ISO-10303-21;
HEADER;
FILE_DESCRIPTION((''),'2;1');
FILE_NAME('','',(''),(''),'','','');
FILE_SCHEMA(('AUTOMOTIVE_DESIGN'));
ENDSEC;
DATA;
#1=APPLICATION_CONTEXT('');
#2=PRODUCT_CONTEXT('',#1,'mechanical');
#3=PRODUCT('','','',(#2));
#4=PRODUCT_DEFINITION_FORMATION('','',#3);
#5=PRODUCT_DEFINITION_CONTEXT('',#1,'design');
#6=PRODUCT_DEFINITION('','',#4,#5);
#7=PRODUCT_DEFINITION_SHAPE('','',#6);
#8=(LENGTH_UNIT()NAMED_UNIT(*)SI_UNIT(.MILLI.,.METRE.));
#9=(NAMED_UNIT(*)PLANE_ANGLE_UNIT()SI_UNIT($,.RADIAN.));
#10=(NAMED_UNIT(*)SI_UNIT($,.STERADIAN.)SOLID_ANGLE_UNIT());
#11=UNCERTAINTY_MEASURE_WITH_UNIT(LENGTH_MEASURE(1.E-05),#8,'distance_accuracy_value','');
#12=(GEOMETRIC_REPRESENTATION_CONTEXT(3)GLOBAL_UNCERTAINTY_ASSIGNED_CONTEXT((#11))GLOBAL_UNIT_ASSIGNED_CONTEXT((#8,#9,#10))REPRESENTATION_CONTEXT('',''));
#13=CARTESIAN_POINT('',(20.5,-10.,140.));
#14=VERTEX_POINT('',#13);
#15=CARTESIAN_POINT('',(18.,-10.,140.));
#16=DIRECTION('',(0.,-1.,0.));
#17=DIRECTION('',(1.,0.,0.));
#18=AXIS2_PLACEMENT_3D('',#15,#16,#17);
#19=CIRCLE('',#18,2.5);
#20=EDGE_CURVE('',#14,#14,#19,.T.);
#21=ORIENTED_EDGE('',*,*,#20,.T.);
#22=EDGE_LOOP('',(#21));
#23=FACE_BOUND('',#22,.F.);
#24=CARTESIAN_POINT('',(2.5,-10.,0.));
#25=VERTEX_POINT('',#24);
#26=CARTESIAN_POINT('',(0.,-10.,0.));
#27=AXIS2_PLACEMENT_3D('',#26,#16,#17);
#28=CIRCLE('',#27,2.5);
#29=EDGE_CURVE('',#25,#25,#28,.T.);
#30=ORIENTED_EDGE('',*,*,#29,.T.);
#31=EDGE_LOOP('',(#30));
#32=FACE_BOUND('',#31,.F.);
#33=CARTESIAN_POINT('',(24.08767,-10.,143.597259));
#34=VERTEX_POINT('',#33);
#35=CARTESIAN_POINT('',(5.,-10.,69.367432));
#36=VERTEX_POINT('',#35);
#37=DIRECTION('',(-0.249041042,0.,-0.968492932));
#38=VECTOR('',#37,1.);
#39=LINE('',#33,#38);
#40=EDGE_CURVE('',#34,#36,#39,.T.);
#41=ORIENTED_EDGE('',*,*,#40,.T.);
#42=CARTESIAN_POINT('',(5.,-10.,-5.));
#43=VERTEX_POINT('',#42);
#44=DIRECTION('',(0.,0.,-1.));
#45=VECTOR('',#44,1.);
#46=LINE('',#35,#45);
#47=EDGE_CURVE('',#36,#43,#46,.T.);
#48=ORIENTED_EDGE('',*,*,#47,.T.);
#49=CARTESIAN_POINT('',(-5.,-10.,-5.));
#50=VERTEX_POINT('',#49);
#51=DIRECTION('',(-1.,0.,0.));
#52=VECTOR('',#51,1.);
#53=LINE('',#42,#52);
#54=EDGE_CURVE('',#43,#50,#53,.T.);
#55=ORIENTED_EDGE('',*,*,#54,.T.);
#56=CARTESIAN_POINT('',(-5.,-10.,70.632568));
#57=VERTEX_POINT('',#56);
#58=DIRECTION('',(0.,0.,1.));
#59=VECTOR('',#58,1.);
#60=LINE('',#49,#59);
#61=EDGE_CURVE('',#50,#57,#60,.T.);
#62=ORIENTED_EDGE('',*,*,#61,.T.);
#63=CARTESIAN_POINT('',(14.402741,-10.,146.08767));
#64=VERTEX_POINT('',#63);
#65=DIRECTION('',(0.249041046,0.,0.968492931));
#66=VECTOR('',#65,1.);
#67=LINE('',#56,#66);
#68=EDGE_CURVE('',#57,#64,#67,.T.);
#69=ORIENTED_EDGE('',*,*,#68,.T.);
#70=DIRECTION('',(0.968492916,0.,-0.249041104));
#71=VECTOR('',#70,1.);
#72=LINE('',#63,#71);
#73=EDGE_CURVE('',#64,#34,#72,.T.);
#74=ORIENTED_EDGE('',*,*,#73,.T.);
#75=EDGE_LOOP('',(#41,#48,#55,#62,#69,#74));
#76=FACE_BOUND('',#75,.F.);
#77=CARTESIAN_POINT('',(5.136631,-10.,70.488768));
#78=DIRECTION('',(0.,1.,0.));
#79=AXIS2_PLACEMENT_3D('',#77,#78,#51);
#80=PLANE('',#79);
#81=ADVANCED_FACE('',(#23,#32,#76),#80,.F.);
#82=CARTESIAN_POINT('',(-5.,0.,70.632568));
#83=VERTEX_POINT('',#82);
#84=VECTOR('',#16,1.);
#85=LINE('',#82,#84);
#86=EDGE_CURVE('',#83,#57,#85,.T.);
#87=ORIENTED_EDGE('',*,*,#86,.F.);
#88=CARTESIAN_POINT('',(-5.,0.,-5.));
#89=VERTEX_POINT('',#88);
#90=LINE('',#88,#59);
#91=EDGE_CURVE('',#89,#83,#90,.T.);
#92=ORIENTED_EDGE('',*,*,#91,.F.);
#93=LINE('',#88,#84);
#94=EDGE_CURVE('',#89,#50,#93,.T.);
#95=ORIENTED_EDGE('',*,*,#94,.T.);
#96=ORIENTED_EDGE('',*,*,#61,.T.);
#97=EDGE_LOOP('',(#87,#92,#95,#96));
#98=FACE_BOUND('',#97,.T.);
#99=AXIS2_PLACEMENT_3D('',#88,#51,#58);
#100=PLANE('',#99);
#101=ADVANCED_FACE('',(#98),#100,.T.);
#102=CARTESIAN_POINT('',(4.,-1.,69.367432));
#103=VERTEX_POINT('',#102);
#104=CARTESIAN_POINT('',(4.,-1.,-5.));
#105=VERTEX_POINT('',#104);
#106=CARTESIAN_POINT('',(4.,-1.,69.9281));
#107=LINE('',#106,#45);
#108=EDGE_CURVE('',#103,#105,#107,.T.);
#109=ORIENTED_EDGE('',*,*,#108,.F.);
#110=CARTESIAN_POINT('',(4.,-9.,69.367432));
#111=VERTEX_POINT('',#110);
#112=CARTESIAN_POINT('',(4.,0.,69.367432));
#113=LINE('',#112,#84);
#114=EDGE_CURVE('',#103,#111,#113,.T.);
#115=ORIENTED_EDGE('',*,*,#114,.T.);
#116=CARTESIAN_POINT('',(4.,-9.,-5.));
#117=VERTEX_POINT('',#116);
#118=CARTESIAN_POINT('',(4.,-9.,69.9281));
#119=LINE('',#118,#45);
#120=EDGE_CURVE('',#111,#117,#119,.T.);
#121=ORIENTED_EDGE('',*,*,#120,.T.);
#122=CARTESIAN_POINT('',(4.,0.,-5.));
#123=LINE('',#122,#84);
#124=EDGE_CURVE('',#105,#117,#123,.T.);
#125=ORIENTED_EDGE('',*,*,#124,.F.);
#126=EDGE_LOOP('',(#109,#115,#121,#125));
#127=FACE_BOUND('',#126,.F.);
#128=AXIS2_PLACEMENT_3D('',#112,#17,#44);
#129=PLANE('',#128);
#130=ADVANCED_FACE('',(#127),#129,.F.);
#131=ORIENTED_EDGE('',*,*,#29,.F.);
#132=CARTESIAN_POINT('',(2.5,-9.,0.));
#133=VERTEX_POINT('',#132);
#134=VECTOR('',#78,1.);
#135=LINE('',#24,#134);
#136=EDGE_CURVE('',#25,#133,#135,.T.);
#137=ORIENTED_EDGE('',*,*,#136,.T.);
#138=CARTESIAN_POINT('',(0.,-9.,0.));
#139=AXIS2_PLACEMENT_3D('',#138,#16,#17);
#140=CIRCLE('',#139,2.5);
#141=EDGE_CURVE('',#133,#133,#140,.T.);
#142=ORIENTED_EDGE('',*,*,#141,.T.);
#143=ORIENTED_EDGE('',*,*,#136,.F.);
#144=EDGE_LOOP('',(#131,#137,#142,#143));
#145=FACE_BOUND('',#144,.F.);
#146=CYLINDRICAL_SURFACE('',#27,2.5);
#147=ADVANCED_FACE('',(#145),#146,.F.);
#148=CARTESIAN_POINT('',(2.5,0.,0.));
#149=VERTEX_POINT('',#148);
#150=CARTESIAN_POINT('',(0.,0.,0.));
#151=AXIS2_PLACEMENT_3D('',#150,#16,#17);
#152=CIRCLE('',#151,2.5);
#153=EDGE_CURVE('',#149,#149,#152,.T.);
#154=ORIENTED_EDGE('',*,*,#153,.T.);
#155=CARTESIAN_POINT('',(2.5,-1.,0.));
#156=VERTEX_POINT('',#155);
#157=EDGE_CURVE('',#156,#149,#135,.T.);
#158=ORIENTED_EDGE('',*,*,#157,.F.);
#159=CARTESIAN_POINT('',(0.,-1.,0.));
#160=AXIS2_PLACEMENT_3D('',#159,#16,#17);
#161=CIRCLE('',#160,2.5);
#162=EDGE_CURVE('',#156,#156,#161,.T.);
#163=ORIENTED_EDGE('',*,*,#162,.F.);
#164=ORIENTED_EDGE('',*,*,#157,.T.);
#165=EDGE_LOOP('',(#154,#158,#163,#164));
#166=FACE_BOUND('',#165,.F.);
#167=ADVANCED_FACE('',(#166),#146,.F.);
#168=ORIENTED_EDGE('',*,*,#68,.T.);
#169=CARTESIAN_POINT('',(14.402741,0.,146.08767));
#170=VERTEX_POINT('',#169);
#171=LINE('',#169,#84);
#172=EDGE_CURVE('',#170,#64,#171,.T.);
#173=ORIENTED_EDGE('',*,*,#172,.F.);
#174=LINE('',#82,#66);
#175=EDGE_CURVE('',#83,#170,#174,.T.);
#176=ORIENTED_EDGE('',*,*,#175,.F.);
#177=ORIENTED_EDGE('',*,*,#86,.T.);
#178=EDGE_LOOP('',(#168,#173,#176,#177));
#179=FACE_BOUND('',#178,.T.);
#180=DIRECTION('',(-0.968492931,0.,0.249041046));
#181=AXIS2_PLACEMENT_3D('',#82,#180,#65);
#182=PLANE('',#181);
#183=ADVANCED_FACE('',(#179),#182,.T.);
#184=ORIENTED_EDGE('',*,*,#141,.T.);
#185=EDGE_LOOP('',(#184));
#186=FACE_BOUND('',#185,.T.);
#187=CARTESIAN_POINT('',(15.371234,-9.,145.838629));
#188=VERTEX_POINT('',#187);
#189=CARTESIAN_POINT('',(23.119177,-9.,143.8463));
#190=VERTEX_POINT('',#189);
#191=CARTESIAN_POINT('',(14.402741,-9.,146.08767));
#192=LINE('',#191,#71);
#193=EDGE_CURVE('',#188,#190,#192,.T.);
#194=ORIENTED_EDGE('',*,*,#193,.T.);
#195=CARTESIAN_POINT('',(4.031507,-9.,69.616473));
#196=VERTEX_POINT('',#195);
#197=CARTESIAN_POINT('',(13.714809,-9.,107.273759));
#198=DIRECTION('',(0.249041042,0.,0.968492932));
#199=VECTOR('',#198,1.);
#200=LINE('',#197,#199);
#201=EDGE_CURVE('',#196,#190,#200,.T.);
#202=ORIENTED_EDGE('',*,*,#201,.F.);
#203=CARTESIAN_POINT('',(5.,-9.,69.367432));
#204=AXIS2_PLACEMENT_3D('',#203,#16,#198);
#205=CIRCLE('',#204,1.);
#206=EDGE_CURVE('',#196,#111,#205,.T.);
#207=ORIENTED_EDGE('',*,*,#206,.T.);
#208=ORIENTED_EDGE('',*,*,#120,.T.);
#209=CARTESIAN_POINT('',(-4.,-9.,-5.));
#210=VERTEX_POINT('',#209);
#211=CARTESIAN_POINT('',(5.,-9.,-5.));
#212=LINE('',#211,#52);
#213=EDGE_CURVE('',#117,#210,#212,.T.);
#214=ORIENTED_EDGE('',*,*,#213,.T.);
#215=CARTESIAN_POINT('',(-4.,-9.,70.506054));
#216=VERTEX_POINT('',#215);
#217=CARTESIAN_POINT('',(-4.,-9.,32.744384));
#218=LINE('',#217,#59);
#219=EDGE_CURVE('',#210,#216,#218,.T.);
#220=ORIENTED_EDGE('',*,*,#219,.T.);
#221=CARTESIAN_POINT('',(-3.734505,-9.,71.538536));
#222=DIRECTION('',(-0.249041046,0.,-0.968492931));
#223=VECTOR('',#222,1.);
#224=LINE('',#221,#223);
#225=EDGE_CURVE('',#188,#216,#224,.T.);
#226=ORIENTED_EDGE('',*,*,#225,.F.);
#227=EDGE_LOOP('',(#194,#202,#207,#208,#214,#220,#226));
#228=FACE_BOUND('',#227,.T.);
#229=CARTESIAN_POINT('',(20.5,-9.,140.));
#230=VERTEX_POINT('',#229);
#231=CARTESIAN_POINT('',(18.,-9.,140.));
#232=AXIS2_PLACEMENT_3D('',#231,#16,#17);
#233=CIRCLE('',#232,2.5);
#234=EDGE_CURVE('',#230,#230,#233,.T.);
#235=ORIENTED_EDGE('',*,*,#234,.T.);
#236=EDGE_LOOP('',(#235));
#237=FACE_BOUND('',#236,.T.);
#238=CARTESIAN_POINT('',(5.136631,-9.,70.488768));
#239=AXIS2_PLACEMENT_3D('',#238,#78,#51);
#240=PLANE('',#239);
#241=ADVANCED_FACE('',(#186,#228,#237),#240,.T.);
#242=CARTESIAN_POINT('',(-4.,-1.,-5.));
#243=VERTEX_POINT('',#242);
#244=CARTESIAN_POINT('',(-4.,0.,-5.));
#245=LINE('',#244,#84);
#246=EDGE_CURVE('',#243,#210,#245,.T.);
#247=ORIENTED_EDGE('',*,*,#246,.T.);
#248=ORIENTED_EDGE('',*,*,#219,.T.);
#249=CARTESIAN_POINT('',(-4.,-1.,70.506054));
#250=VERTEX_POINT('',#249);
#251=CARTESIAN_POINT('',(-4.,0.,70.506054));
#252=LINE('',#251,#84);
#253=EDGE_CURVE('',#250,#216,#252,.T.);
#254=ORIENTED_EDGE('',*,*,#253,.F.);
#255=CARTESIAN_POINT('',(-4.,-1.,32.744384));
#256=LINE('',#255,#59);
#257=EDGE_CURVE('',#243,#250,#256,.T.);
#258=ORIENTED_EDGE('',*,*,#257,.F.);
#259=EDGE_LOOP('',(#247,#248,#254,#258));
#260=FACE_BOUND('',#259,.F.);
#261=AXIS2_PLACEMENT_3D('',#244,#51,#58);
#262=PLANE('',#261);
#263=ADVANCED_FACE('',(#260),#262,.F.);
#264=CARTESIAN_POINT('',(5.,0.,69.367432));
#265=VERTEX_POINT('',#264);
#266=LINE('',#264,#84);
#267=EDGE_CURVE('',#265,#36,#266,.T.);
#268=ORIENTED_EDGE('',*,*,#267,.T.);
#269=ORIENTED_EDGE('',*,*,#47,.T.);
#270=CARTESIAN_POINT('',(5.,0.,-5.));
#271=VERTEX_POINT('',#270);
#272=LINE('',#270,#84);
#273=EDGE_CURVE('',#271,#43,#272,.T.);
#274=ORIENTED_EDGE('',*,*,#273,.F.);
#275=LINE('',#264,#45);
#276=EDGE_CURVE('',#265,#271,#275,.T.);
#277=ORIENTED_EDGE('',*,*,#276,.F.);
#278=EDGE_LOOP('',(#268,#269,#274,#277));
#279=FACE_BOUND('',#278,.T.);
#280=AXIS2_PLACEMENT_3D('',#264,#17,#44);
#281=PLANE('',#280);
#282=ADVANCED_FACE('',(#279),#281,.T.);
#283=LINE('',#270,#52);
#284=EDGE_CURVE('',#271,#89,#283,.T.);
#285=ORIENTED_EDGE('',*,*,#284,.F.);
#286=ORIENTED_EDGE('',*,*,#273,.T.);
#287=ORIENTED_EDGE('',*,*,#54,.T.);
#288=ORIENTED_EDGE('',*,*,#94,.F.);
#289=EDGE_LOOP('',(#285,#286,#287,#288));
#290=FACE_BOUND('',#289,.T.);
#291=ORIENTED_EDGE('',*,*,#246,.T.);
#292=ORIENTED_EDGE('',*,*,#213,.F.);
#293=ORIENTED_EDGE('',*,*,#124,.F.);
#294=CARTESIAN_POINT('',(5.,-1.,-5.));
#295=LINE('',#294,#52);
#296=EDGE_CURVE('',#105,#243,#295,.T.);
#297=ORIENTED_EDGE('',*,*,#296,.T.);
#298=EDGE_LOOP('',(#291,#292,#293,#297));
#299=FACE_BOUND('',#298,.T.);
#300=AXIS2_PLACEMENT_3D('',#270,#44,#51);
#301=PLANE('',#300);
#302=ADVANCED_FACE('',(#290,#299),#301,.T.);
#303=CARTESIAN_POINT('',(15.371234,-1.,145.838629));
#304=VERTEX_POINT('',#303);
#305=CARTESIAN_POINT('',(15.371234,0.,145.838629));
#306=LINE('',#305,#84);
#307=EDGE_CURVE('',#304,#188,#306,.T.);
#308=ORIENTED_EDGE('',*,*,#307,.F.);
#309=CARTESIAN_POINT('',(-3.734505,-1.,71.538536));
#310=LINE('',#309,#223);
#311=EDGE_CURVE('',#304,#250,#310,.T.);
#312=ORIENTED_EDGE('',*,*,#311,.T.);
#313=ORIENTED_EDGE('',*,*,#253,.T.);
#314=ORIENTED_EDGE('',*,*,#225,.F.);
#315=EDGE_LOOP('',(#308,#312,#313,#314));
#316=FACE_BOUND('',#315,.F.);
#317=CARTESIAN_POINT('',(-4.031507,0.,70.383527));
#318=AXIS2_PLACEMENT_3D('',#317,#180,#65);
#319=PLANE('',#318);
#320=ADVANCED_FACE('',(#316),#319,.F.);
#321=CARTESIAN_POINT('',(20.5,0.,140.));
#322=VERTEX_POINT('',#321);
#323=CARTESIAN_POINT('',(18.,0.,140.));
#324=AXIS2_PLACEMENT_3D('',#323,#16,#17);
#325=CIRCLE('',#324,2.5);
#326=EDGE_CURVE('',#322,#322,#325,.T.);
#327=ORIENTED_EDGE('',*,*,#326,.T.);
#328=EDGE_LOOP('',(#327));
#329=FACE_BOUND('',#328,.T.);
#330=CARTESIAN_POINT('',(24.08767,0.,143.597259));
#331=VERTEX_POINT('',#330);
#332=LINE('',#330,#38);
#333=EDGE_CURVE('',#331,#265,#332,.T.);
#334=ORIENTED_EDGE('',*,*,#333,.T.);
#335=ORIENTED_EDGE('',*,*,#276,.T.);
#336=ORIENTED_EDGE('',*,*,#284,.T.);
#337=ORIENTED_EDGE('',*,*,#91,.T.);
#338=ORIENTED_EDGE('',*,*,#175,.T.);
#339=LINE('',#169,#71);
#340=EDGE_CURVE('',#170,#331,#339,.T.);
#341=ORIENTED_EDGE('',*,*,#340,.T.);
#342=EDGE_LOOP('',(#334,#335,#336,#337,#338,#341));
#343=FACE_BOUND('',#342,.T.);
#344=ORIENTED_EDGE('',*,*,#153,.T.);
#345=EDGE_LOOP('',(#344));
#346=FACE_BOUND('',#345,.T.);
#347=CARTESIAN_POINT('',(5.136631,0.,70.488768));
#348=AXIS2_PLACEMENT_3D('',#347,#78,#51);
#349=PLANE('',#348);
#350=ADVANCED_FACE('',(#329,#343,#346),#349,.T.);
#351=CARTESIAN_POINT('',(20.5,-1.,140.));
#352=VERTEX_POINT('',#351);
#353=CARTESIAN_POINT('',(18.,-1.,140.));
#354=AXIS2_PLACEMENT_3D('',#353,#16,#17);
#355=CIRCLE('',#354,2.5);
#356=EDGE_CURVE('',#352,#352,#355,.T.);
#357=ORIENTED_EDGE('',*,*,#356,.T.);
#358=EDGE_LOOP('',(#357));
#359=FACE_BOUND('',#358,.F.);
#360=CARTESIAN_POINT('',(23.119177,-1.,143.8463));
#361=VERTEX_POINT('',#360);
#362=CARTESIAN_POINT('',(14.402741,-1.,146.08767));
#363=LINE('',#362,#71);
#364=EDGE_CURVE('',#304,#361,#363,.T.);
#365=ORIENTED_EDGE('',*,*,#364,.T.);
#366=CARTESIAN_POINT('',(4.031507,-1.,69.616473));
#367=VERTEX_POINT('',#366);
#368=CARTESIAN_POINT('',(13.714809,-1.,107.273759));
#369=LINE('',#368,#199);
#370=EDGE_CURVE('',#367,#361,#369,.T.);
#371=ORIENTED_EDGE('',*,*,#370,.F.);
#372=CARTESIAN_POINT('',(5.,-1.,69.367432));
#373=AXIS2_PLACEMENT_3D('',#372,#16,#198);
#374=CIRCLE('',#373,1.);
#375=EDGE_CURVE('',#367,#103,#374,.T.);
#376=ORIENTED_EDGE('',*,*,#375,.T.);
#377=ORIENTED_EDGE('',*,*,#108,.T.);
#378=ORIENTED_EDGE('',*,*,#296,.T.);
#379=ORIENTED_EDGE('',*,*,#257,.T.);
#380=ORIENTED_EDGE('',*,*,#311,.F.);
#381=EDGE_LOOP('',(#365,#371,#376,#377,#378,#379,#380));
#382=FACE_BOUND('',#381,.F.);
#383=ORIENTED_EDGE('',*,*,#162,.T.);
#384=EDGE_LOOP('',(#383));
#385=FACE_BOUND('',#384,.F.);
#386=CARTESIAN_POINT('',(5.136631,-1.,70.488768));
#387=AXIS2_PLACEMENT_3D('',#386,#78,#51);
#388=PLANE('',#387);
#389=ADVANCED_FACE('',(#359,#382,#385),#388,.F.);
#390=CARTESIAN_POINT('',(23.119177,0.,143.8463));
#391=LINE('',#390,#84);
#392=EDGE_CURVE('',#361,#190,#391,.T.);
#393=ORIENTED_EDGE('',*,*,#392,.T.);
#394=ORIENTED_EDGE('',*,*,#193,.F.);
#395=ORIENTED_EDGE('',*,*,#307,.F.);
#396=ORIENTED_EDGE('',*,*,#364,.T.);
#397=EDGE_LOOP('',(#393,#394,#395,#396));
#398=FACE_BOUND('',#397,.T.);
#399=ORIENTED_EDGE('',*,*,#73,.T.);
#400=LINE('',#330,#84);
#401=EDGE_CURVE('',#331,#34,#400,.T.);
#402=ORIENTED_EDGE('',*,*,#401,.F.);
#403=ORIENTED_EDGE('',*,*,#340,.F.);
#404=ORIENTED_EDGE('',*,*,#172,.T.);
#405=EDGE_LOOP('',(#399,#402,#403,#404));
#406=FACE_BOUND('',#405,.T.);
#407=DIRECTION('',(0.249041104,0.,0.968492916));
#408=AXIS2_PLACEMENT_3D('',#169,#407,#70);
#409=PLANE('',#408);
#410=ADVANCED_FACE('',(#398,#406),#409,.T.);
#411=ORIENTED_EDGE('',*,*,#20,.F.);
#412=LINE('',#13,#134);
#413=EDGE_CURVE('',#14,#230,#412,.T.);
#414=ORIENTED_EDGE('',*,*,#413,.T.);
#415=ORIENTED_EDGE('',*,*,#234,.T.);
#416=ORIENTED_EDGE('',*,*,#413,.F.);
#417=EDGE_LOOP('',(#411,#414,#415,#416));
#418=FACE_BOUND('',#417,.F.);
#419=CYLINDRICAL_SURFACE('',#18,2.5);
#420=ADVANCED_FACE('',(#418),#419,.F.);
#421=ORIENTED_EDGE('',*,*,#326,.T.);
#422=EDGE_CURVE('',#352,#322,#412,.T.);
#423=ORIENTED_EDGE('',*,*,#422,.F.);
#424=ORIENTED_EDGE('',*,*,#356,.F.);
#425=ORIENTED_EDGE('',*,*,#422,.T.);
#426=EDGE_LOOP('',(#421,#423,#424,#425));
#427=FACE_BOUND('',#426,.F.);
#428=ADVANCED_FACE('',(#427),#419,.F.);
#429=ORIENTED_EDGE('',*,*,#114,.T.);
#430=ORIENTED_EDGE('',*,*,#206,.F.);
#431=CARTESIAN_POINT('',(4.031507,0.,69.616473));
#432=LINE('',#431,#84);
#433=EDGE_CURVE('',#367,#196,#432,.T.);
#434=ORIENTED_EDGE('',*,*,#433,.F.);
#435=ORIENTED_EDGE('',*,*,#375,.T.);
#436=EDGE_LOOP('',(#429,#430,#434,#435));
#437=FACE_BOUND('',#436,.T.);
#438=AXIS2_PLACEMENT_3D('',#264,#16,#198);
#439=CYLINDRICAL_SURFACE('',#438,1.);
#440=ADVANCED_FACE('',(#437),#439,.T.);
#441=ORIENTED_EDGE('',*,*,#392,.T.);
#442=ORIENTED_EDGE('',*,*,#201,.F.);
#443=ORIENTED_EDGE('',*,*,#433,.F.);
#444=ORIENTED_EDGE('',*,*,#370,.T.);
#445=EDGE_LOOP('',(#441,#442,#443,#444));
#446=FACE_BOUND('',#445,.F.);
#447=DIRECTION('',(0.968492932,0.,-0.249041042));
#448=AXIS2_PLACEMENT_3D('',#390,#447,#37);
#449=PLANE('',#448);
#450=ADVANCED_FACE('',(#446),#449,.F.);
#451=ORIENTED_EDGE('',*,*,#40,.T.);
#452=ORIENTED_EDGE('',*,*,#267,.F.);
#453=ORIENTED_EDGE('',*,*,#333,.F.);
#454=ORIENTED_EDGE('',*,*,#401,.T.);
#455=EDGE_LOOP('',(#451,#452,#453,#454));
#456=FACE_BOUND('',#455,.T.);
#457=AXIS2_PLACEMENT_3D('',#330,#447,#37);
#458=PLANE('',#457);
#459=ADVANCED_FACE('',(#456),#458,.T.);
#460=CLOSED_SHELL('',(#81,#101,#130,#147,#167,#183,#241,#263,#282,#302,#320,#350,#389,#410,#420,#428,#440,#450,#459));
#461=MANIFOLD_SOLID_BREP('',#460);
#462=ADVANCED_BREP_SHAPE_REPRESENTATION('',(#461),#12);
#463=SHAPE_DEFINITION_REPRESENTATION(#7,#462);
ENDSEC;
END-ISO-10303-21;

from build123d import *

# Parameters (mm, degrees)
PAD_DEPTH    = 10
THICKNESS_T  = -1
SKETCH001_R  = 2.5
POCKET_DEPTH = 10.001


with BuildPart() as part:
    # Sketch → Pad (new body)
    with BuildSketch(Plane.XZ):
        Polygon((-5, -5), (-5, 70.632568), (14.402741, 146.08767), (24.08767, 143.597259), (5, 69.367432), (5, -5), align=None)
    extrude(amount=PAD_DEPTH)

    # Thickness
    thickness_openings = [part.faces().sort_by_distance(p)[0] for p in [
        (19.245205, -5, 144.842465),
        (0, -5, -5),
    ]]
    offset(amount=THICKNESS_T, openings=thickness_openings)

    # Sketch001 (on Face6 of Thickness) → Pocket (cut, through all)
    with BuildSketch(Plane.XZ.offset(10)):
        with Locations((18, 140)):
            Circle(SKETCH001_R)
        Circle(SKETCH001_R)
    extrude(amount=-POCKET_DEPTH, mode=Mode.SUBTRACT)


solid = part.part
